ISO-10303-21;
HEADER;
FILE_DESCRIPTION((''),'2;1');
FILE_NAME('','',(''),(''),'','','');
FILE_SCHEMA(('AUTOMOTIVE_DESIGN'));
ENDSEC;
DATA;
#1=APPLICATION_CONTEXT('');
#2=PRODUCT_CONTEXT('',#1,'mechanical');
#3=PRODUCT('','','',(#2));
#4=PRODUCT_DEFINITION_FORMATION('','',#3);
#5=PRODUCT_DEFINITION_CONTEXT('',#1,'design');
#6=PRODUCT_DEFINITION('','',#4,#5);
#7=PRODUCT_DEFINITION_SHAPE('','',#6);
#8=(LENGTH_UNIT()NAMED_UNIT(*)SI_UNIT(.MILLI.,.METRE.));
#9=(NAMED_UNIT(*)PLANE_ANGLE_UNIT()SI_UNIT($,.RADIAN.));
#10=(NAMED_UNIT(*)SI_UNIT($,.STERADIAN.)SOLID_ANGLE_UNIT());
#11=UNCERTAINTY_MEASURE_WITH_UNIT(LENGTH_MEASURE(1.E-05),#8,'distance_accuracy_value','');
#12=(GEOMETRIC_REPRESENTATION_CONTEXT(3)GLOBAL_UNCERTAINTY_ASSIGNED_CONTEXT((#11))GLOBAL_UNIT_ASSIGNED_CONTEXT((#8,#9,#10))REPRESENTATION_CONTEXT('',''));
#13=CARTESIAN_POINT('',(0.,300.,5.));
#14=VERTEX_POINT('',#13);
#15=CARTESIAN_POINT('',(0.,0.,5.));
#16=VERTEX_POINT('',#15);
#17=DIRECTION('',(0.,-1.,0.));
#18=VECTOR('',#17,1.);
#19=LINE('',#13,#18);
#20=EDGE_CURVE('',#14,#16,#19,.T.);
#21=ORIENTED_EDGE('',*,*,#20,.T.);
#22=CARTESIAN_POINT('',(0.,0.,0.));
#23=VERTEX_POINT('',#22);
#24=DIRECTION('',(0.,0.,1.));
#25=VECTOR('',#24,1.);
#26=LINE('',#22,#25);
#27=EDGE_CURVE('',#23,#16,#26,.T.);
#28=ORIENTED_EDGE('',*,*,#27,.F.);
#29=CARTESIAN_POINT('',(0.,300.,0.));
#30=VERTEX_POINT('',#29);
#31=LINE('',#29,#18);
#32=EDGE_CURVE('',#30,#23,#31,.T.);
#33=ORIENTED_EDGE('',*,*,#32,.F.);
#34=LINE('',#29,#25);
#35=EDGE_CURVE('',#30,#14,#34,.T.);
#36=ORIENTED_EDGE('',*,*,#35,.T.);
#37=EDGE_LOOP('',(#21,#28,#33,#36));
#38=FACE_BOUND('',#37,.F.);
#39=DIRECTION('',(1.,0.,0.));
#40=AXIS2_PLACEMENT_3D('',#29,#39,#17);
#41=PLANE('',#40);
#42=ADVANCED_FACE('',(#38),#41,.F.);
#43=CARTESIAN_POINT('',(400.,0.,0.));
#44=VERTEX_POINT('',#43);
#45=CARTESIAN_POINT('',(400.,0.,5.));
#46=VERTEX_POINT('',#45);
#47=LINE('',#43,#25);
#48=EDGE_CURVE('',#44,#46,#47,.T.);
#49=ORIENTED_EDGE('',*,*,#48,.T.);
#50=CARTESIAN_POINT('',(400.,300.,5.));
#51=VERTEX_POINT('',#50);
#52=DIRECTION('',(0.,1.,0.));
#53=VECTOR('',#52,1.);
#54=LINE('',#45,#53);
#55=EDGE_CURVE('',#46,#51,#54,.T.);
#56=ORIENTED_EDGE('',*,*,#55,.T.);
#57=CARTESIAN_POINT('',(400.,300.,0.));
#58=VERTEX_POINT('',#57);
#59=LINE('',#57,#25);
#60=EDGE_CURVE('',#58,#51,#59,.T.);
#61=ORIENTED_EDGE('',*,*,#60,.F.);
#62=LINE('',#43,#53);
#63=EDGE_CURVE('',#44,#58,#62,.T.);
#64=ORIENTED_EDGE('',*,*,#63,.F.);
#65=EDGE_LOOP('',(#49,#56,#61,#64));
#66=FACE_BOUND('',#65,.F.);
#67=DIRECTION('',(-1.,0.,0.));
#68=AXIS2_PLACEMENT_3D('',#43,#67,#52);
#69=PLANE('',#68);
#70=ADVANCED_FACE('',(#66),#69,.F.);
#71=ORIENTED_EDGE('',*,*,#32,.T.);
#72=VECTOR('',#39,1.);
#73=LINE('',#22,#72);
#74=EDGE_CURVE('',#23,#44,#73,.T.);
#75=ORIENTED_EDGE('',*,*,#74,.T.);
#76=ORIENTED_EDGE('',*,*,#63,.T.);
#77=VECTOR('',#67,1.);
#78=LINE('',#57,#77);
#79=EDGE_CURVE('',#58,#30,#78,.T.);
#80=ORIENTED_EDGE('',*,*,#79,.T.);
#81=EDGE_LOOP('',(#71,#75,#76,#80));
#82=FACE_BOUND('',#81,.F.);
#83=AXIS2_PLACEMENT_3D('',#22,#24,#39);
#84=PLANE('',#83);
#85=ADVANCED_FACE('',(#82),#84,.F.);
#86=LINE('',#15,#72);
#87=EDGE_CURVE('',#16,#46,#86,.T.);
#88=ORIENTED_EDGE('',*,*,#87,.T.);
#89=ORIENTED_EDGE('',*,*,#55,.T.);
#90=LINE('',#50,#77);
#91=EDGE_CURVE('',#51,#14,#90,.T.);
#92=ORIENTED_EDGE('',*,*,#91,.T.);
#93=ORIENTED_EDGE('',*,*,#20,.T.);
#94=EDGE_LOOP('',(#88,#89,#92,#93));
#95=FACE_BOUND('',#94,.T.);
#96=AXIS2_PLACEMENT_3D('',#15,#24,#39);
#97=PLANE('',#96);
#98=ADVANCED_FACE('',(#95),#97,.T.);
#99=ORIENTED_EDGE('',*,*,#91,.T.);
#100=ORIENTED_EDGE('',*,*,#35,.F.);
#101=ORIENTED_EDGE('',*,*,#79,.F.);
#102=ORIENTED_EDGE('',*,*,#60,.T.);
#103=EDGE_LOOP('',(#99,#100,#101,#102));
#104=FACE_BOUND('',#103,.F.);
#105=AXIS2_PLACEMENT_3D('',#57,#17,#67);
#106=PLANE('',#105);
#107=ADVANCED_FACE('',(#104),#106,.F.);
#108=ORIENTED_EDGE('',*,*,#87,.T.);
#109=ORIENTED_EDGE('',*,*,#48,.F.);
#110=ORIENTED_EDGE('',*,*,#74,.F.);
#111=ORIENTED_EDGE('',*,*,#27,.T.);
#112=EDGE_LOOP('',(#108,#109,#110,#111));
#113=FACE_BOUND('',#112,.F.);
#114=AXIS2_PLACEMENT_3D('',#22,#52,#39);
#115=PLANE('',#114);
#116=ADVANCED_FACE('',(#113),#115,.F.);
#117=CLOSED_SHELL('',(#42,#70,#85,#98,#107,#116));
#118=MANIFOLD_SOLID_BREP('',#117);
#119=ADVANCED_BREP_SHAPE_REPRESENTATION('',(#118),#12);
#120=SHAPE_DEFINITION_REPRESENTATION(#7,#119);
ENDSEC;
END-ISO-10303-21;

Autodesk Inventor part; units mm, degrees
ref_plane "YZ Plane" through (0, 0, 0) normal (1, 0, 0) x (0, 1, 0)
ref_plane "XZ Plane" through (0, 0, 0) normal (0, 1, 0) x (-1, 0, 0)
ref_plane "XY Plane" through (0, 0, 0) normal (0, 0, 1) x (1, 0, 0)
sketch "スケッチ1" plane through (0, 0, 0) normal (0, 0, 1) x (1, 0, 0)
  line L0 (0, 0) -> (400, 0)
  line L1 (400, 0) -> (400, 300)
  line L2 (400, 300) -> (0, 300)
  line L3 (0, 300) -> (0, 0)
  dimension "d0" = 400
  dimension "d1" = 300
extrude "押し出し1" add sketch "スケッチ1" along normal blind 5
properties part number "Gamen"
